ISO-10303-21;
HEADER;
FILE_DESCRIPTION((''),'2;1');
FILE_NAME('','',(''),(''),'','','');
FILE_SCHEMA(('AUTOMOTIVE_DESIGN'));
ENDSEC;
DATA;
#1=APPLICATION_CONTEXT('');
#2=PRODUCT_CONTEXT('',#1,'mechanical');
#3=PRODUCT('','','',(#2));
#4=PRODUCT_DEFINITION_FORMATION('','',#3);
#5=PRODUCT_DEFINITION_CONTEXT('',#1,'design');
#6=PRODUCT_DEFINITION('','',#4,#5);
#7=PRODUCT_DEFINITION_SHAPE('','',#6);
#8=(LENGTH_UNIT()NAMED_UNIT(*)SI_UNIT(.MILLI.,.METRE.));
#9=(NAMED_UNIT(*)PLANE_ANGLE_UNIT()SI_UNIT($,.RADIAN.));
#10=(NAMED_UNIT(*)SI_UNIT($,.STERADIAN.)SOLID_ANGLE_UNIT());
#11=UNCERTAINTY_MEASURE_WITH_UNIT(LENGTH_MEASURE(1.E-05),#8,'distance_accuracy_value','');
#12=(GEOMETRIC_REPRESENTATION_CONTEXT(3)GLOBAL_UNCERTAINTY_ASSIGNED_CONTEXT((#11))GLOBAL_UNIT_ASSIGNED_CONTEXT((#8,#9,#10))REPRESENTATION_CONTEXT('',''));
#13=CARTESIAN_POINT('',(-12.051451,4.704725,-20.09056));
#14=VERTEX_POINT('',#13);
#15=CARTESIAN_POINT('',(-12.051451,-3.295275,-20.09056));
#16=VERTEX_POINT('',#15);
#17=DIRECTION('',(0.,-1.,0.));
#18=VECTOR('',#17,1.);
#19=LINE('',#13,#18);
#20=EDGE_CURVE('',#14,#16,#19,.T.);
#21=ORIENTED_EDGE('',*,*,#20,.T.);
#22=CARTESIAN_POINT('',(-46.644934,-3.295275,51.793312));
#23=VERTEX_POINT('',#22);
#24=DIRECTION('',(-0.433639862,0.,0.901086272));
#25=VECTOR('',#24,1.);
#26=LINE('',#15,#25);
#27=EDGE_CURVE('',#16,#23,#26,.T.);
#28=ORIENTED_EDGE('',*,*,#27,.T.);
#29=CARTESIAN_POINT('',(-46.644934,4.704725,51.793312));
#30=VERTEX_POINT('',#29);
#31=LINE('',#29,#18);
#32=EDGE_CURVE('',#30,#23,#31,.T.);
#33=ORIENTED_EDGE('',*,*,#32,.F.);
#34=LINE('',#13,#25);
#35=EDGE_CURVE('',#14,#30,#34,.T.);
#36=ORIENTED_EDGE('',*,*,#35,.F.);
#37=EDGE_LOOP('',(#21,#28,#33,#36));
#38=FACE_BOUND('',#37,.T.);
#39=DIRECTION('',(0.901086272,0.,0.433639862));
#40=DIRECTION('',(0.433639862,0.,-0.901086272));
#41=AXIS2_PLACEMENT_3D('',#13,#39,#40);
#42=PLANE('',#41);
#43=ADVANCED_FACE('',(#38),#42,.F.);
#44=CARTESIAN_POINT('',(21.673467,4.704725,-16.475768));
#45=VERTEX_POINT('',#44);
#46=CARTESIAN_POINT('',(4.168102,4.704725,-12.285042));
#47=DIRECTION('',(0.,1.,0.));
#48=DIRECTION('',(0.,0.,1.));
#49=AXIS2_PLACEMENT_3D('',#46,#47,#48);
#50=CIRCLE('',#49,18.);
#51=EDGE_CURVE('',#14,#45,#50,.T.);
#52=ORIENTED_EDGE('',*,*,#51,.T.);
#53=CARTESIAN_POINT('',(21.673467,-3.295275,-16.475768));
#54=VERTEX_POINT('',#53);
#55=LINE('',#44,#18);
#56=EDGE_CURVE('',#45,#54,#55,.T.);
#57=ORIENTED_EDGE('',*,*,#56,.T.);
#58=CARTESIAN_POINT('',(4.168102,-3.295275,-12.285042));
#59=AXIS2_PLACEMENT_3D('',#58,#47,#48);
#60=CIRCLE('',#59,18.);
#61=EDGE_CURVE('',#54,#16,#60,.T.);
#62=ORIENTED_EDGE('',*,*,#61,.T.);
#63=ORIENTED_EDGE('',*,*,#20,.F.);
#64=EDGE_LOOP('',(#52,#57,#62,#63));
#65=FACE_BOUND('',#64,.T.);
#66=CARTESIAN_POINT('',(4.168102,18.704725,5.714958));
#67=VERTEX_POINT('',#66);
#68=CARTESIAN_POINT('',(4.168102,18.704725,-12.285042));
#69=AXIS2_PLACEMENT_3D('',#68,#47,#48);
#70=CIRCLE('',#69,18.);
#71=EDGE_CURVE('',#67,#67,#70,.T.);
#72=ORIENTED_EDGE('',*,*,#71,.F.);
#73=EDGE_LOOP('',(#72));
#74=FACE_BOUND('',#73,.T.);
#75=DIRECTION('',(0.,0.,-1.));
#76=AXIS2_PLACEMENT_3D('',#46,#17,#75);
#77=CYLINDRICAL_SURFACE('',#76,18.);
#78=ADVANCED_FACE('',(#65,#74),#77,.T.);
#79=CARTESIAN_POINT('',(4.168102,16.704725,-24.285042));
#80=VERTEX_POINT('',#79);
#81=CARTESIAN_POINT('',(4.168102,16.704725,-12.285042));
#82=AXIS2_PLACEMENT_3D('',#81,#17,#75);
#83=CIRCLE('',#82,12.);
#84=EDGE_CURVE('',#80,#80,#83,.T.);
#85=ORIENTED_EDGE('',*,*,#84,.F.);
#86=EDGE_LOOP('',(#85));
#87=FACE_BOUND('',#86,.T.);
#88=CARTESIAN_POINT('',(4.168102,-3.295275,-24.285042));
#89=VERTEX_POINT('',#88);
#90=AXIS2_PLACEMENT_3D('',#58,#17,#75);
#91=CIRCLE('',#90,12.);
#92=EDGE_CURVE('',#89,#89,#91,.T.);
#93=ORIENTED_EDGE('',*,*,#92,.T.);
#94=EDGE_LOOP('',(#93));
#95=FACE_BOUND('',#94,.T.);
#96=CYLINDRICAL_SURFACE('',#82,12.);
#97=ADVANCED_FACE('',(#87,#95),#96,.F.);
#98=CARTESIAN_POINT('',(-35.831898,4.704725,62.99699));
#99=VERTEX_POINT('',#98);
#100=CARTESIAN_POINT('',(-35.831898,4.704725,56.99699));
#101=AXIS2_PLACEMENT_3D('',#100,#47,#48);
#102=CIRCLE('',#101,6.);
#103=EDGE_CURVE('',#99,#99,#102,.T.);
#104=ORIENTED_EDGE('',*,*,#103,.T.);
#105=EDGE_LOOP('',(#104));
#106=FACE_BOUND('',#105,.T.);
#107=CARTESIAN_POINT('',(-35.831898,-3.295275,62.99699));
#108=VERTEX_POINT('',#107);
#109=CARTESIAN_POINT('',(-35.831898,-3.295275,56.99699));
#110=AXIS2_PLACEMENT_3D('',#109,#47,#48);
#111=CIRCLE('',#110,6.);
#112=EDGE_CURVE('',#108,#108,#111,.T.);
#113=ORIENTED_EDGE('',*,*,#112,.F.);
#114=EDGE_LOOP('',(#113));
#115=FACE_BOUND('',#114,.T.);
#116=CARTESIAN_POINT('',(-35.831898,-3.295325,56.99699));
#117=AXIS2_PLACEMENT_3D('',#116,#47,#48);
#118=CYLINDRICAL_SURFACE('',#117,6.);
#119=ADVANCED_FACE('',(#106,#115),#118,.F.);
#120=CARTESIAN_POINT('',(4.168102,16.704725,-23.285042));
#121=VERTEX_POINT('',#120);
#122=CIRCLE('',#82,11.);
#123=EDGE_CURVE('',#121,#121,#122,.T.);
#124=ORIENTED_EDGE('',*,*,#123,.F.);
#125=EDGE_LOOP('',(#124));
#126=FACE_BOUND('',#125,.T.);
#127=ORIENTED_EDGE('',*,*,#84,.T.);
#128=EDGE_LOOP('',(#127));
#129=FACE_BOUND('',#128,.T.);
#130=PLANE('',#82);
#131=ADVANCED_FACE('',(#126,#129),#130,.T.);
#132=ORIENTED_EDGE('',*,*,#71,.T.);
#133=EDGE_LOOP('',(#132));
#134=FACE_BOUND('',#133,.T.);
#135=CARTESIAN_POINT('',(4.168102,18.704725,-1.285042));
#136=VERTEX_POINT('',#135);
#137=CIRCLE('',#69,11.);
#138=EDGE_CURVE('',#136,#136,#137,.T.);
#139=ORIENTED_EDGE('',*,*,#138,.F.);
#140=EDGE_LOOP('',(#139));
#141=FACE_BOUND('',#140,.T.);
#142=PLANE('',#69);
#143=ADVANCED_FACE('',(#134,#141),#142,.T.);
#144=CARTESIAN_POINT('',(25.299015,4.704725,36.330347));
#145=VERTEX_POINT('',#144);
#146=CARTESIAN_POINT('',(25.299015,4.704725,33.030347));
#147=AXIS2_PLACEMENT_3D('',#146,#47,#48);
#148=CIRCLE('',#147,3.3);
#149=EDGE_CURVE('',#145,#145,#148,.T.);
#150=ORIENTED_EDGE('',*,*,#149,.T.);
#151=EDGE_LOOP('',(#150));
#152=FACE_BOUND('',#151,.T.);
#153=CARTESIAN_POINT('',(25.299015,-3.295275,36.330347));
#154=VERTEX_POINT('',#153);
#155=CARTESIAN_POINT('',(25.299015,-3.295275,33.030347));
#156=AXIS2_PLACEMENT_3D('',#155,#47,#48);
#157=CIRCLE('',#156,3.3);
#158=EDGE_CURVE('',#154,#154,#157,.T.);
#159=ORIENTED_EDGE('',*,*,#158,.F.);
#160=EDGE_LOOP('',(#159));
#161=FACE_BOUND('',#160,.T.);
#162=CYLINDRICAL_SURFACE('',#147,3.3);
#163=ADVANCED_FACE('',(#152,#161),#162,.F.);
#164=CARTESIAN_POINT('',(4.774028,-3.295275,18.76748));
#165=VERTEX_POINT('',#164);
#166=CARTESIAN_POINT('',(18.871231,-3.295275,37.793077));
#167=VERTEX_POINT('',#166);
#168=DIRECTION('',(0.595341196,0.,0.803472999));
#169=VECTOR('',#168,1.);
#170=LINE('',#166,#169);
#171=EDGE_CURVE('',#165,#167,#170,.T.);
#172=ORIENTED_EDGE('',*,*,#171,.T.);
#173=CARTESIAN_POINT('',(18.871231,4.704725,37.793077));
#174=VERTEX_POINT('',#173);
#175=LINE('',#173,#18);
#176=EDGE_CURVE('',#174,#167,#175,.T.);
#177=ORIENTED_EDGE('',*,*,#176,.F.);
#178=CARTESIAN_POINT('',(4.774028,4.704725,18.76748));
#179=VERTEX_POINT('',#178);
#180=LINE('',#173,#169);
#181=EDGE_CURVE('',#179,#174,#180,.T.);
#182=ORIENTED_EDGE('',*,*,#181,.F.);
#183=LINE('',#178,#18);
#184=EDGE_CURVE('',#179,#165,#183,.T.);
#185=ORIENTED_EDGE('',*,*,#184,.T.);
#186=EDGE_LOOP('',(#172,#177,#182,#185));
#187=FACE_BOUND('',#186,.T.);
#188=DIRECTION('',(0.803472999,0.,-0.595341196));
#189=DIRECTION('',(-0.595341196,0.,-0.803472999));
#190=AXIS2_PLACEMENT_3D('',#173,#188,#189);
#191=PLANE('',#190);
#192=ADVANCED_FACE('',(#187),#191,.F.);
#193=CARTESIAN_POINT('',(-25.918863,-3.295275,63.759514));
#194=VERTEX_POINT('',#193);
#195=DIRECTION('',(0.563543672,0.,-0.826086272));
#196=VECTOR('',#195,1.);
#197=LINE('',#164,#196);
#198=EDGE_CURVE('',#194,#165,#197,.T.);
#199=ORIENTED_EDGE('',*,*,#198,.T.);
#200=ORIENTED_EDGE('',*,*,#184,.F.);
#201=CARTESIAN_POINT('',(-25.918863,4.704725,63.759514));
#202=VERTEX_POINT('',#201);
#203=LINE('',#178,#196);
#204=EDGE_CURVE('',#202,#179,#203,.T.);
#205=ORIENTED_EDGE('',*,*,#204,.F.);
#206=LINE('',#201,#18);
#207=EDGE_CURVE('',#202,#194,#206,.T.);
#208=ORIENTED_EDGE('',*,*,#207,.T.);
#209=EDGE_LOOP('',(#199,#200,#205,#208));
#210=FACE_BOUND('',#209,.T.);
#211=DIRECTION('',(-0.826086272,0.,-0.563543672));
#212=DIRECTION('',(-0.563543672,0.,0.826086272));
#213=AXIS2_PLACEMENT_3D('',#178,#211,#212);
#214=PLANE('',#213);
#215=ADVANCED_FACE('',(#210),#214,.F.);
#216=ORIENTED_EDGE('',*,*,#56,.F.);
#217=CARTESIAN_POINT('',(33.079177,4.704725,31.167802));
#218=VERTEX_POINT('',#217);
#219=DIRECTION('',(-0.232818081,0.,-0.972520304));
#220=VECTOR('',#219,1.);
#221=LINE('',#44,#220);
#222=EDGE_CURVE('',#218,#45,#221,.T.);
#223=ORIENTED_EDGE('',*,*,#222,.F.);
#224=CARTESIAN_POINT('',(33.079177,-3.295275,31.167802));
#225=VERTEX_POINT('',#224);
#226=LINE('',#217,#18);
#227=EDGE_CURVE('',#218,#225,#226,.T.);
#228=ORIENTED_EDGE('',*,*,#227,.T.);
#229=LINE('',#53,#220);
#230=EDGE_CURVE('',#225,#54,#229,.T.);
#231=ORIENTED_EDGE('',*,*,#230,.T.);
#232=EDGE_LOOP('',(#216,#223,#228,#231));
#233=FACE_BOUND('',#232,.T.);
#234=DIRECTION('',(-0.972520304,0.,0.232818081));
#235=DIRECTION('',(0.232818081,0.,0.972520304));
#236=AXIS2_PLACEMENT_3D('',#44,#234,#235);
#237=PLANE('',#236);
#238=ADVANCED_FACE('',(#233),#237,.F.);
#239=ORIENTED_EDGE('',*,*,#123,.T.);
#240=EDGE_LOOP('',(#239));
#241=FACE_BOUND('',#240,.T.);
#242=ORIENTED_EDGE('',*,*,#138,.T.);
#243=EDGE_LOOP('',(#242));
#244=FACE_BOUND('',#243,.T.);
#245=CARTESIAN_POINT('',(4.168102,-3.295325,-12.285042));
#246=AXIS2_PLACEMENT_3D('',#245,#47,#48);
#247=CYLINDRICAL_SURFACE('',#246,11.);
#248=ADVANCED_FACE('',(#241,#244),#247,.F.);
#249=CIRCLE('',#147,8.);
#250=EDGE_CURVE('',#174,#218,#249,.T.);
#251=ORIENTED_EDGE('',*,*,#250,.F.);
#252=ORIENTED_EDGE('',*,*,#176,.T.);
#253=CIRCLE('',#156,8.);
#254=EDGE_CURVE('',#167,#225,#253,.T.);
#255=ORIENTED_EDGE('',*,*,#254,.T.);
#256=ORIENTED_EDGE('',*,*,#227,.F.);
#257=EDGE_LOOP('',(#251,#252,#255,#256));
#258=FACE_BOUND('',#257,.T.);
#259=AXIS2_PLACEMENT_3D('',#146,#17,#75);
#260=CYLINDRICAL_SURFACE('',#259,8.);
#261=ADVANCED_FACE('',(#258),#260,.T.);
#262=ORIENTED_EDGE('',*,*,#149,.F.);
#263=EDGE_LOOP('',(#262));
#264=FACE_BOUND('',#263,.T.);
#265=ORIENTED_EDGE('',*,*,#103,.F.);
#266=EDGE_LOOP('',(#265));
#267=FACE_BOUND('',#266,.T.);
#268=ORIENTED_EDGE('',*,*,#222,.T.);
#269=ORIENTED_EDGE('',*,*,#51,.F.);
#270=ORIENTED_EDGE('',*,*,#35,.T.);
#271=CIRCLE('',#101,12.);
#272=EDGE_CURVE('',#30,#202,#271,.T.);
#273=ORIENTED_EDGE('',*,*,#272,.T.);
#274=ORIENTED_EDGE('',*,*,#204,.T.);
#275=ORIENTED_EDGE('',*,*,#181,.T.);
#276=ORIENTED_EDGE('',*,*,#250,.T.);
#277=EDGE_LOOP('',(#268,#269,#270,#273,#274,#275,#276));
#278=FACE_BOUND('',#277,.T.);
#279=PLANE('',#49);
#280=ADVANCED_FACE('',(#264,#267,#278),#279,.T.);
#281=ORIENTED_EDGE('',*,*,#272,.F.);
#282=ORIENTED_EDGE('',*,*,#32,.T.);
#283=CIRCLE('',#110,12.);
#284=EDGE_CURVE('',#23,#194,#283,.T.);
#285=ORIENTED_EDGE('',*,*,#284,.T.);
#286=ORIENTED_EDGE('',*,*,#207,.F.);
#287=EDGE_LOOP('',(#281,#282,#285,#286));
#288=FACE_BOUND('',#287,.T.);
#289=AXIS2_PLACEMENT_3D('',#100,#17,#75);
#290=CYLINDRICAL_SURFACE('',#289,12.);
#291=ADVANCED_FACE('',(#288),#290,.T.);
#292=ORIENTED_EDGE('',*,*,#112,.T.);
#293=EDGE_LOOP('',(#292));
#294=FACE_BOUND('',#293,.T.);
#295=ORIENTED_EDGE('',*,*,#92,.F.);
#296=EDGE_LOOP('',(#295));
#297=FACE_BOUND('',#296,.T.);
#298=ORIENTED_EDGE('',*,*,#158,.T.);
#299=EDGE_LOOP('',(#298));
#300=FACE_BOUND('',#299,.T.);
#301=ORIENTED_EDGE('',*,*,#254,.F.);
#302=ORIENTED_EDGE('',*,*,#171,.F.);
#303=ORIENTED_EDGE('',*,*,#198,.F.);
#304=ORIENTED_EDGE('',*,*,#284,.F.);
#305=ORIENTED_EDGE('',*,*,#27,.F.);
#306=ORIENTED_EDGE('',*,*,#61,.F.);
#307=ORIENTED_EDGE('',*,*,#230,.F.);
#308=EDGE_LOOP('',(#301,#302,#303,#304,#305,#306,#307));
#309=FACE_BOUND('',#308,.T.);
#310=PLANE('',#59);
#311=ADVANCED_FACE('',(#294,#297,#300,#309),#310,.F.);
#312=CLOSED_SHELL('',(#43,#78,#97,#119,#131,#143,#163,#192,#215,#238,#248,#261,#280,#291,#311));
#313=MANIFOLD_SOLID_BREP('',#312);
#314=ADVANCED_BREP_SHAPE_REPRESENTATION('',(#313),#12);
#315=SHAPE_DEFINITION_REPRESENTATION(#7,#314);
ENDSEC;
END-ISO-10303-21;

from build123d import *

# Parameters (mm, degrees)
EXTRUDE_1_DEPTH     = 4
SKETCH_3_R          = 9
EXTRUDE_2_DEPTH     = 7
SKETCH_4_R          = 3
CUT_EXTRUDE_1_DEPTH = 49.751330175
SKETCH_5_R          = 6
CUT_EXTRUDE_2_DEPTH = 10
SKETCH_7_R          = 5.5
CUT_EXTRUDE_3_DEPTH = 50.484262082
HOLE_WIZARD_M4_1_D  = 3.3
SCALE1_SCALE        = 2


with BuildPart() as part:
    # 草图1 → 凸台-拉伸1 (new body)
    with BuildSketch(Plane(origin=(0, 0, 0), x_dir=(1, 0, 0), z_dir=(0, 1, 0))):
        with BuildLine():
            Line((-8.109776452, 3.902758754), (-25.406517635, -32.039176982))
            ThreePointArc((-25.406517635, -32.039176982), (-23, -39.837168574), (-15.043482365, -38.022278184))
            Line((-15.043482365, -38.022278184), (0.302963304, -15.526261061))
            Line((0.302963304, -15.526261061), (7.351564548, -25.039059461))
            ThreePointArc((7.351564548, -25.039059461), (12.25592959, -26.282925824), (14.455537758, -21.72642235))
            Line((14.455537758, -21.72642235), (8.752682732, 2.095362733))
            ThreePointArc((8.752682732, 2.095362733), (0.95916746, 8.948742805), (-8.109776452, 3.902758754))
        make_face()
    extrude(amount=EXTRUDE_1_DEPTH)

    # 草图3 → 凸台-拉伸2 (add)
    with BuildSketch(Plane(origin=(0, 4, 0), x_dir=(1, 0, 0), z_dir=(0, 1, 0))):
        with Locations(Location((0, 0, 0), (0, 0, 154.301222305))):
            Circle(SKETCH_3_R)
    extrude(amount=EXTRUDE_2_DEPTH)

    # 草图4 → 切除-拉伸1 (cut, through all)
    with BuildSketch(Plane(origin=(0, 4, 0), x_dir=(1, 0, 0), z_dir=(0, 1, 0))):
        with Locations(Location((-20, -34.641016151, 0), (0, 0, 270))):
            Circle(SKETCH_4_R)
    extrude(amount=-CUT_EXTRUDE_1_DEPTH, mode=Mode.SUBTRACT)

    # 草图5 → 切除-拉伸2 (cut)
    with BuildSketch(Plane.XZ):
        with Locations(Location((0, 0, 0), (0, 0, 270))):
            Circle(SKETCH_5_R)
    extrude(amount=-CUT_EXTRUDE_2_DEPTH, mode=Mode.SUBTRACT)

    # 草图7 → 切除-拉伸3 (cut, through all)
    with BuildSketch(Plane(origin=(0, 11, 0), x_dir=(1, 0, 0), z_dir=(0, 1, 0))):
        with Locations(Location((0, 0, 0), (0, 0, 270))):
            Circle(SKETCH_7_R)
    extrude(amount=-CUT_EXTRUDE_3_DEPTH, mode=Mode.SUBTRACT)

    # M4 螺纹孔1 (through all)
    with Locations(Plane(origin=(0, 4, 0), x_dir=(1, 0, 0), z_dir=(0, 1, 0))):
        with Locations((10.565456544, -22.657694676)):
            Hole(HOLE_WIZARD_M4_1_D / 2)


with BuildPart() as part_1:
    # Scale1: scaled about (-4.168101576, 3.295275318, 12.285042226)
    add(part.part.scale(SCALE1_SCALE).moved(Location((4.168101576, -3.295275318, -12.285042226))))


solid = part_1.part
